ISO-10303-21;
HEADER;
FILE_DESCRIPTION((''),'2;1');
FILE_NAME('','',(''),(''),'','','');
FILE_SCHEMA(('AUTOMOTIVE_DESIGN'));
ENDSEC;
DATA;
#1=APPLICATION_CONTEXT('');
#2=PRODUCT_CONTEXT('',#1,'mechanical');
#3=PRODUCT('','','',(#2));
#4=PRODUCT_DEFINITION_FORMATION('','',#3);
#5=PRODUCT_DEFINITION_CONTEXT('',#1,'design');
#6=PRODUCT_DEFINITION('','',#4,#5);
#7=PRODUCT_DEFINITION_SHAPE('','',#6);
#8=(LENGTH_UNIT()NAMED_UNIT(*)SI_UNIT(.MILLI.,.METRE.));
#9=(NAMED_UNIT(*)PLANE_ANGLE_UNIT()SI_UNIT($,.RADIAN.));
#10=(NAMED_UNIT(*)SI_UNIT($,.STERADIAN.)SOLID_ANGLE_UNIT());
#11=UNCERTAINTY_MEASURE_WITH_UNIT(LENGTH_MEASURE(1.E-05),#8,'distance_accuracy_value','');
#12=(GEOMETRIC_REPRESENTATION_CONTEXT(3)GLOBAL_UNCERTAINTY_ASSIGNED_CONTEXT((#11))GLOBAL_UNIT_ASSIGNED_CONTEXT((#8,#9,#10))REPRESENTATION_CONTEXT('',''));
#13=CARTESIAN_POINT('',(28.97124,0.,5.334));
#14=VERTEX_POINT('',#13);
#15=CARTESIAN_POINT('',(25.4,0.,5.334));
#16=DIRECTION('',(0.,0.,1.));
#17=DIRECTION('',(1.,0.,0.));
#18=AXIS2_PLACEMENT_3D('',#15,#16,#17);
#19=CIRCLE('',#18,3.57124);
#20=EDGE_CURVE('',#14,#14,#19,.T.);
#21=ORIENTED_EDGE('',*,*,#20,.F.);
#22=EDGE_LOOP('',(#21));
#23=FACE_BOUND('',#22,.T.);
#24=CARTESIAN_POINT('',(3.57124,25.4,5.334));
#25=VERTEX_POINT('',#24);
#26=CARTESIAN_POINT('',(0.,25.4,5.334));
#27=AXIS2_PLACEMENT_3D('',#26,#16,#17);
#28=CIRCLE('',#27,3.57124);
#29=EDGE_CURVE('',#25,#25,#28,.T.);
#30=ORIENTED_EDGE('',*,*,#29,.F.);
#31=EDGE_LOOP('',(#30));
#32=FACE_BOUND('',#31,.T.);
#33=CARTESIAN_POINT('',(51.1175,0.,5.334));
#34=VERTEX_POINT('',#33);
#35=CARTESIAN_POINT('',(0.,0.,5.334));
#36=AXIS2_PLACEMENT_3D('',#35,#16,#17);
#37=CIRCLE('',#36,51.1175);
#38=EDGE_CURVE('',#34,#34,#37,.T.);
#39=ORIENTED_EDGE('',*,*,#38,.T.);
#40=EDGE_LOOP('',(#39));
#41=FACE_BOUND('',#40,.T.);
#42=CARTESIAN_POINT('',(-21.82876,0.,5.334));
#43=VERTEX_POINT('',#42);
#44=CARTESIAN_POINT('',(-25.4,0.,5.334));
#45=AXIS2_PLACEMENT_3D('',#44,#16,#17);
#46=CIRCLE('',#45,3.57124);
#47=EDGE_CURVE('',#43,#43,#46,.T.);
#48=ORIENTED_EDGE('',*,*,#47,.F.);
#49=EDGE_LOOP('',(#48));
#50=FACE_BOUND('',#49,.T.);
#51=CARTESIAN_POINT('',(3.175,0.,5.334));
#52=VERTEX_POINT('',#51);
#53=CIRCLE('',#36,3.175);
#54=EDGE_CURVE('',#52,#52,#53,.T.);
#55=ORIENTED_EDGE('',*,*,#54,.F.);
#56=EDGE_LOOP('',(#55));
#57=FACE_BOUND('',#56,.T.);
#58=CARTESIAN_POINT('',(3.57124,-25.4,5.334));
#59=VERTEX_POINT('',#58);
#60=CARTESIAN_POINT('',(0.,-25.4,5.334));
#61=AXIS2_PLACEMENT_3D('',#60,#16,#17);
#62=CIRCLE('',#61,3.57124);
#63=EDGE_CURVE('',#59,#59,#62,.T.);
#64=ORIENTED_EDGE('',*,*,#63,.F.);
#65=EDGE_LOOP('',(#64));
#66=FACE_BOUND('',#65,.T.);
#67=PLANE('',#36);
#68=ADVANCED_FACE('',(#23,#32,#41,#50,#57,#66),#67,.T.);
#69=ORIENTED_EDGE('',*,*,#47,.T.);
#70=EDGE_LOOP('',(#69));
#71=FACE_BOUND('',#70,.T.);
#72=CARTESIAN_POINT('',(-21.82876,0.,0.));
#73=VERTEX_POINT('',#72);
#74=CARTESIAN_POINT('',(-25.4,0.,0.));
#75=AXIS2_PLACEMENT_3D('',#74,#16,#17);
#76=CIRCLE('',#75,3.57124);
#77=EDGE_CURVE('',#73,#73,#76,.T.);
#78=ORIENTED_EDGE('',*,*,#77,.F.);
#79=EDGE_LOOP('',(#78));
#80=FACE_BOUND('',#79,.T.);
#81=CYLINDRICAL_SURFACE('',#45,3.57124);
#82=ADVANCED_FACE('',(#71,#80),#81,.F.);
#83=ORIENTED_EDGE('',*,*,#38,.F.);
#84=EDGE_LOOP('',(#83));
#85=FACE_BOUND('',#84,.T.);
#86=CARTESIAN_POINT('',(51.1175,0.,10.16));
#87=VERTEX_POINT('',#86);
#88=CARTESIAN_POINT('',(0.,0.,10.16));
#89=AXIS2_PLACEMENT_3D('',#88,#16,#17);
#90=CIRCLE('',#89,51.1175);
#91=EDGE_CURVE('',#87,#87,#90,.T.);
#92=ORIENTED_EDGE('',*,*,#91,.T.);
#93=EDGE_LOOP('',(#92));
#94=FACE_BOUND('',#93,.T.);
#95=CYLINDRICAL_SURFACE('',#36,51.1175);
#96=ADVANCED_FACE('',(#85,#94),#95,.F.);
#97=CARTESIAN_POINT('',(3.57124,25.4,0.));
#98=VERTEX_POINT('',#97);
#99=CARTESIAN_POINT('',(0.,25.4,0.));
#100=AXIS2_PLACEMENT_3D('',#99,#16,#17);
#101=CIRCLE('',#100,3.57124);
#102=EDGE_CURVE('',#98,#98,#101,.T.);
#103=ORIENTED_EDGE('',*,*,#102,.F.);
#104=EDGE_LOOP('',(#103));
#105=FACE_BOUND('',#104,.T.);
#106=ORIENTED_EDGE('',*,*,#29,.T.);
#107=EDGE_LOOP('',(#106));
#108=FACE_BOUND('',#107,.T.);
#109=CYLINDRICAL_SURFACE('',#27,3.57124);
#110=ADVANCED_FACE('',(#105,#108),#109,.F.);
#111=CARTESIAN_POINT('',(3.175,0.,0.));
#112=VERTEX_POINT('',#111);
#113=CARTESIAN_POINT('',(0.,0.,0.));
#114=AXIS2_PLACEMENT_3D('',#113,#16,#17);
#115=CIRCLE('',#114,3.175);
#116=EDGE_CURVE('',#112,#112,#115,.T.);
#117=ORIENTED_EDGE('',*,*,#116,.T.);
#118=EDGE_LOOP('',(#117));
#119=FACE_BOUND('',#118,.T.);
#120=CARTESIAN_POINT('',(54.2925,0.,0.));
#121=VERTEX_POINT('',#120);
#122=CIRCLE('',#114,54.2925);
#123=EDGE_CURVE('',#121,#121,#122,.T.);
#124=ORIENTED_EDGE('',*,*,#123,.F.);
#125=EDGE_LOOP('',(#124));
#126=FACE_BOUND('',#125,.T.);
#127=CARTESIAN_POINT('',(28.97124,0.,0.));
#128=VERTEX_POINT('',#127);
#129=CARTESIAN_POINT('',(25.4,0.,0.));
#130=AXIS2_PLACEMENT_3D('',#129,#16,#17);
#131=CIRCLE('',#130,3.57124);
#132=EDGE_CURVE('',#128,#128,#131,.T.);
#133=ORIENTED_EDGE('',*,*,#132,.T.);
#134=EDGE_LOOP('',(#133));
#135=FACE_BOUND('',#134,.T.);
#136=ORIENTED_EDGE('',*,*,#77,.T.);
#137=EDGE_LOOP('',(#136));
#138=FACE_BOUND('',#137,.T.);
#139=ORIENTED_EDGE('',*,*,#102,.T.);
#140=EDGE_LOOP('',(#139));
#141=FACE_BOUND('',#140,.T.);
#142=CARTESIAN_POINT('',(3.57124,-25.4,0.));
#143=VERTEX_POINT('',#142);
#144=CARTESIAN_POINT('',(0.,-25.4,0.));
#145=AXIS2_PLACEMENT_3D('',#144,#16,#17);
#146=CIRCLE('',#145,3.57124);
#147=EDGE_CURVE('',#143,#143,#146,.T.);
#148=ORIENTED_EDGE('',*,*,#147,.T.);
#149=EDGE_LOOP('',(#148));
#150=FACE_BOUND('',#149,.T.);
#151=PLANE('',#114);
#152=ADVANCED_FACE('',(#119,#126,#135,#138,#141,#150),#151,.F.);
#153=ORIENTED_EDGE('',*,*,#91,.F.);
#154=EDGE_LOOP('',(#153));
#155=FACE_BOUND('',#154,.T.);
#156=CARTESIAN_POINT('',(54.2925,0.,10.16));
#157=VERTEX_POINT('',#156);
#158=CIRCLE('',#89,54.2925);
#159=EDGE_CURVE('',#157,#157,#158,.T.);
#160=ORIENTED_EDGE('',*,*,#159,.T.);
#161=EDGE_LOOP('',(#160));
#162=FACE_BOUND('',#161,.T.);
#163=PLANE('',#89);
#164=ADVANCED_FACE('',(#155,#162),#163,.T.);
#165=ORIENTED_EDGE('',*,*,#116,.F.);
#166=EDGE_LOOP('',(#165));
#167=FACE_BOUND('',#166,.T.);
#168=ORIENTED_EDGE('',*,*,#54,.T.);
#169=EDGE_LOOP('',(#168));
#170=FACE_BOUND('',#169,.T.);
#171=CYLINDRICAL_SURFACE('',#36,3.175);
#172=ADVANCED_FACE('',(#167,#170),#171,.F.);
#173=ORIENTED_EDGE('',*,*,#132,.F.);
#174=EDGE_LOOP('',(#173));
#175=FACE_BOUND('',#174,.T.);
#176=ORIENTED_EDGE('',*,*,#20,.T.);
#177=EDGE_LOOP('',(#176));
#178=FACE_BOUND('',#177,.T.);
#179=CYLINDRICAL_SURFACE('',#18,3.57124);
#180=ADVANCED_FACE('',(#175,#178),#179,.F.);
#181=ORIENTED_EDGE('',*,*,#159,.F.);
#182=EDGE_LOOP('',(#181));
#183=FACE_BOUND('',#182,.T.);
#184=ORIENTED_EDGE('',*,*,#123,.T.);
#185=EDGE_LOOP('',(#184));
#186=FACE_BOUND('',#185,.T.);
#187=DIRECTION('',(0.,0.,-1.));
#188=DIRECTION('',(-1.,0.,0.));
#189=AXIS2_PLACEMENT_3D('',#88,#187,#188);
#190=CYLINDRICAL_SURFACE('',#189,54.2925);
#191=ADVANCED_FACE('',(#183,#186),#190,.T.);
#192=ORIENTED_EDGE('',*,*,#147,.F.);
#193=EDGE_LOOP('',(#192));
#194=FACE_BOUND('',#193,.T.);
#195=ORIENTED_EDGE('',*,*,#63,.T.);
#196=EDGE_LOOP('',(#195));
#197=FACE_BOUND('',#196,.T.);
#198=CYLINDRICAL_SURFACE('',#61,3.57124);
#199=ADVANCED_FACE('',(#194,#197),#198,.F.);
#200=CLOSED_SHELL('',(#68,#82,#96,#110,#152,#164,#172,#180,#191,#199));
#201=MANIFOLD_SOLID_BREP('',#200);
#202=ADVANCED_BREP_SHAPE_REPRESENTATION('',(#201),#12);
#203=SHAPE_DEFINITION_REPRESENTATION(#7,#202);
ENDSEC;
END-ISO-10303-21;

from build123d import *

# Parameters (mm, degrees)
SKETCH1_R                       = 54.2925
EXTRUDE1_DEPTH                  = 10.16
SKETCH2_R                       = 51.1175
EXTRUDE2_DEPTH                  = 4.826
F_1_4_0_25_DIAMETER_HOLE1_D     = 6.35
F_1_4_0_25_DIAMETER_HOLE1_DEPTH = 6.35
F_1_4_0_25_DIAMETER_HOLE1_TIP   = 1.907732465
F_1_4_CLEARANCE_HOLE1_D         = 7.14248
CIRPATTERN1_COUNT               = 4


with BuildPart() as part:
    # Sketch1 → Extrude1 (new body)
    with BuildSketch(Plane.XY):
        Circle(SKETCH1_R)
    extrude(amount=EXTRUDE1_DEPTH)

    # Sketch2 → Extrude2 (cut)
    with BuildSketch(Plane.XY.offset(10.16)):
        Circle(SKETCH2_R)
    extrude(amount=-EXTRUDE2_DEPTH, mode=Mode.SUBTRACT)

    # 1/4 (0.25) Diameter Hole1
    with Locations(Plane.XY.offset(5.334)):
        with Locations((0, 0)):
            Hole(F_1_4_0_25_DIAMETER_HOLE1_D / 2, depth=F_1_4_0_25_DIAMETER_HOLE1_DEPTH)
            with Locations((0, 0, -(F_1_4_0_25_DIAMETER_HOLE1_DEPTH + F_1_4_0_25_DIAMETER_HOLE1_TIP / 2))):  # 118° drill point
                Cone(0, F_1_4_0_25_DIAMETER_HOLE1_D / 2, F_1_4_0_25_DIAMETER_HOLE1_TIP, mode=Mode.SUBTRACT)

    # 1/4 Clearance Hole1 (through all)
    with Locations(Plane(origin=(25.4, 0, 5.334), x_dir=(1, 0, 0), z_dir=(0, 0, 1))):
        with Locations((0, 0)):
            f_1_4_clearance_hole1 = Hole(F_1_4_CLEARANCE_HOLE1_D / 2)

    # CirPattern1: 1/4 Clearance Hole1 ×4 about axis
    cirpattern1_axis = Axis((0, 0, 0), (0, 0, 1))
    for i in range(1, CIRPATTERN1_COUNT):
        add(f_1_4_clearance_hole1.rotate(cirpattern1_axis, i * 360 / CIRPATTERN1_COUNT), mode=Mode.SUBTRACT)


solid = part.part
